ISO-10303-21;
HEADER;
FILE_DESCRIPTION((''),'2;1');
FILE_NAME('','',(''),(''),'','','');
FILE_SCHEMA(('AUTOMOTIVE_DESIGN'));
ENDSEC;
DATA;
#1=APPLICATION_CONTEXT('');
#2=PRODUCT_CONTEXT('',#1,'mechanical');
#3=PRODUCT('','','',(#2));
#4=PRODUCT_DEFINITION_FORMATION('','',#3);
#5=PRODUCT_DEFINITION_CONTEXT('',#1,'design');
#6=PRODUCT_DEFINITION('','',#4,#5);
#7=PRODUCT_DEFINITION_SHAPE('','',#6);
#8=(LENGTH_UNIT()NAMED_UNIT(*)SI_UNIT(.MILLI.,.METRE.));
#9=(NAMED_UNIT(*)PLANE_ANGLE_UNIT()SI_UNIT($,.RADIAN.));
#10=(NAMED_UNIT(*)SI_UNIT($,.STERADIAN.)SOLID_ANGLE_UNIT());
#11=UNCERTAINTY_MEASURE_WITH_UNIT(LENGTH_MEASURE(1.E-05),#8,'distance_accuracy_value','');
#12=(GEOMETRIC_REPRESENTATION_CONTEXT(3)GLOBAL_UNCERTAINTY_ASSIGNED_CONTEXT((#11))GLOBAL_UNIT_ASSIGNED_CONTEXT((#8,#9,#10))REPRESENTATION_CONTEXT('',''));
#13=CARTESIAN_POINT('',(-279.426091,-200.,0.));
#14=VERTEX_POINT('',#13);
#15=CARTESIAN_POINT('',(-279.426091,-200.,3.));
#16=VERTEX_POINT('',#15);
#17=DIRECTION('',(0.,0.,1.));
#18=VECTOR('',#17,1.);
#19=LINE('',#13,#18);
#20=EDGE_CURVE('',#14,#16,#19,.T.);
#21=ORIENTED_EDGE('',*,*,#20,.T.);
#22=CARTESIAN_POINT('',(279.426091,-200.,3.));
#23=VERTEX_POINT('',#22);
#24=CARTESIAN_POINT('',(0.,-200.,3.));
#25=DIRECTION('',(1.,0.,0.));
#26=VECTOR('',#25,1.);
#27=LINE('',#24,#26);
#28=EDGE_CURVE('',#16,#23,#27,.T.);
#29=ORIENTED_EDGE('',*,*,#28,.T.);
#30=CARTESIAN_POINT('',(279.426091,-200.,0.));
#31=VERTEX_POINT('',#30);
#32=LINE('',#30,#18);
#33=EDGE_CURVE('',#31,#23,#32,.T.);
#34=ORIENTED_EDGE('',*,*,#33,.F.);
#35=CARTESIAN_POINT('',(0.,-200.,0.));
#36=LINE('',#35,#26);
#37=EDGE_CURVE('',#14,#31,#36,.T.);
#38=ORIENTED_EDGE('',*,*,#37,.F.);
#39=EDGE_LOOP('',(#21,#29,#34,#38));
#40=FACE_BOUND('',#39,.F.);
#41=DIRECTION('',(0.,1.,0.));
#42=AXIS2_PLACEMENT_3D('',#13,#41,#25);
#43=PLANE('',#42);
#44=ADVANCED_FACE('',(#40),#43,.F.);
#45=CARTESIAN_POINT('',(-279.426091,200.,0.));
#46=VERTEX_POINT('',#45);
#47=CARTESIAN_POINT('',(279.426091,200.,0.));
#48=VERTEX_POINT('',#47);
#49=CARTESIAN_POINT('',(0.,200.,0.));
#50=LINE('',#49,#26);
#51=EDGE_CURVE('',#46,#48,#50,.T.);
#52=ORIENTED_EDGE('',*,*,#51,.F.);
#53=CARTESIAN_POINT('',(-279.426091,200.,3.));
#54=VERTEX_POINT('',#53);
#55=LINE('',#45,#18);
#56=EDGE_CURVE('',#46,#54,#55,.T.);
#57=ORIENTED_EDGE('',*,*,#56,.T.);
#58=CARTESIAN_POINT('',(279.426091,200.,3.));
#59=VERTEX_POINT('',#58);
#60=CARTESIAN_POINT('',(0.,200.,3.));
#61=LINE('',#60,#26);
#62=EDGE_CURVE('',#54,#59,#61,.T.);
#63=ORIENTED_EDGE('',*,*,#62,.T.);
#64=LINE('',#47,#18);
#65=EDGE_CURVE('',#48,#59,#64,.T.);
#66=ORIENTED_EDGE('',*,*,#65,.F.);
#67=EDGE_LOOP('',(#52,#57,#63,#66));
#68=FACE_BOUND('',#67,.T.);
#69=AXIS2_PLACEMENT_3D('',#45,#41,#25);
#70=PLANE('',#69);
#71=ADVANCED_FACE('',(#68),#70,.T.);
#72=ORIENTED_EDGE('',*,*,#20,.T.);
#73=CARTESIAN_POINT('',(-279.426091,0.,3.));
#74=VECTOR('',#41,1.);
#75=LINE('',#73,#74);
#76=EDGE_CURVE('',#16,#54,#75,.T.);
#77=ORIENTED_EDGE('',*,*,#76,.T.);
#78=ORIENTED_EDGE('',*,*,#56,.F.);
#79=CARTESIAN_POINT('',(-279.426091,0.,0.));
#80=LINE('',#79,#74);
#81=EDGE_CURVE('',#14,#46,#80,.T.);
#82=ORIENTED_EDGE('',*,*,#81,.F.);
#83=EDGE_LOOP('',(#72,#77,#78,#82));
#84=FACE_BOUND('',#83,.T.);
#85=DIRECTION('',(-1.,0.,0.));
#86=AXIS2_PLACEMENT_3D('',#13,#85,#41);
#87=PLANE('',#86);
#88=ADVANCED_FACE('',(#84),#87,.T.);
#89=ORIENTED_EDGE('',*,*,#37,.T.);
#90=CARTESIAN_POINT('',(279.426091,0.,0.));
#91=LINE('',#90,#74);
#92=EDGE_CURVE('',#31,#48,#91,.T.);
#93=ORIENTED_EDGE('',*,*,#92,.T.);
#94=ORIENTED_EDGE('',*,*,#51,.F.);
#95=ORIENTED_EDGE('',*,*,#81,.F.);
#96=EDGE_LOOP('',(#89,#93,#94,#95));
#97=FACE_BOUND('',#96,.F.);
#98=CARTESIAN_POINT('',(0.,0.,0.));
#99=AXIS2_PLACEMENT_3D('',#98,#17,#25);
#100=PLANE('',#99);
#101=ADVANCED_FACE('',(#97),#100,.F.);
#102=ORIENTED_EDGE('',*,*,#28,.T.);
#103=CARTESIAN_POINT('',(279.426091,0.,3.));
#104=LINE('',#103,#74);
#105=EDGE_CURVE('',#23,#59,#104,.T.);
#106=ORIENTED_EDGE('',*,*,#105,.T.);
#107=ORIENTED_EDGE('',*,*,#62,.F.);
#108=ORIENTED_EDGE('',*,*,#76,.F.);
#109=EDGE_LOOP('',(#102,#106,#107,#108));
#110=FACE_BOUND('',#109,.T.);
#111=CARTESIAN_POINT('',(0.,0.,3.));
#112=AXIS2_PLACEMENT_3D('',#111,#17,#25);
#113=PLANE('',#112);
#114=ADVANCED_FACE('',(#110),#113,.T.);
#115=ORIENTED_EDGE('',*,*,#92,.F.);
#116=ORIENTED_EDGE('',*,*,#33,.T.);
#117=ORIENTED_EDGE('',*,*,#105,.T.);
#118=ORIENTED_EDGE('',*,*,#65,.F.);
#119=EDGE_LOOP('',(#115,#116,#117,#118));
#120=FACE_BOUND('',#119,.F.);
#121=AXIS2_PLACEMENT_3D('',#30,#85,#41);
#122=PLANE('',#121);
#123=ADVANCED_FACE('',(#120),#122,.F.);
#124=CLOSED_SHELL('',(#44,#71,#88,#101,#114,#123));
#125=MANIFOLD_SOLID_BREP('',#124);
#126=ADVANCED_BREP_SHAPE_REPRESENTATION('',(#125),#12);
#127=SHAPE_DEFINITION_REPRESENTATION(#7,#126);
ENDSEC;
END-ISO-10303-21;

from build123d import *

# Parameters (mm, degrees)
F1_W     = 558.852182
F1_H     = 400
F2_DEPTH = 3


with BuildPart() as f2:
    # F1 (on face) → F2 (new body)
    with BuildSketch(Plane.XY):
        Rectangle(F1_W, F1_H)
    extrude(amount=F2_DEPTH)


solid = f2.part
